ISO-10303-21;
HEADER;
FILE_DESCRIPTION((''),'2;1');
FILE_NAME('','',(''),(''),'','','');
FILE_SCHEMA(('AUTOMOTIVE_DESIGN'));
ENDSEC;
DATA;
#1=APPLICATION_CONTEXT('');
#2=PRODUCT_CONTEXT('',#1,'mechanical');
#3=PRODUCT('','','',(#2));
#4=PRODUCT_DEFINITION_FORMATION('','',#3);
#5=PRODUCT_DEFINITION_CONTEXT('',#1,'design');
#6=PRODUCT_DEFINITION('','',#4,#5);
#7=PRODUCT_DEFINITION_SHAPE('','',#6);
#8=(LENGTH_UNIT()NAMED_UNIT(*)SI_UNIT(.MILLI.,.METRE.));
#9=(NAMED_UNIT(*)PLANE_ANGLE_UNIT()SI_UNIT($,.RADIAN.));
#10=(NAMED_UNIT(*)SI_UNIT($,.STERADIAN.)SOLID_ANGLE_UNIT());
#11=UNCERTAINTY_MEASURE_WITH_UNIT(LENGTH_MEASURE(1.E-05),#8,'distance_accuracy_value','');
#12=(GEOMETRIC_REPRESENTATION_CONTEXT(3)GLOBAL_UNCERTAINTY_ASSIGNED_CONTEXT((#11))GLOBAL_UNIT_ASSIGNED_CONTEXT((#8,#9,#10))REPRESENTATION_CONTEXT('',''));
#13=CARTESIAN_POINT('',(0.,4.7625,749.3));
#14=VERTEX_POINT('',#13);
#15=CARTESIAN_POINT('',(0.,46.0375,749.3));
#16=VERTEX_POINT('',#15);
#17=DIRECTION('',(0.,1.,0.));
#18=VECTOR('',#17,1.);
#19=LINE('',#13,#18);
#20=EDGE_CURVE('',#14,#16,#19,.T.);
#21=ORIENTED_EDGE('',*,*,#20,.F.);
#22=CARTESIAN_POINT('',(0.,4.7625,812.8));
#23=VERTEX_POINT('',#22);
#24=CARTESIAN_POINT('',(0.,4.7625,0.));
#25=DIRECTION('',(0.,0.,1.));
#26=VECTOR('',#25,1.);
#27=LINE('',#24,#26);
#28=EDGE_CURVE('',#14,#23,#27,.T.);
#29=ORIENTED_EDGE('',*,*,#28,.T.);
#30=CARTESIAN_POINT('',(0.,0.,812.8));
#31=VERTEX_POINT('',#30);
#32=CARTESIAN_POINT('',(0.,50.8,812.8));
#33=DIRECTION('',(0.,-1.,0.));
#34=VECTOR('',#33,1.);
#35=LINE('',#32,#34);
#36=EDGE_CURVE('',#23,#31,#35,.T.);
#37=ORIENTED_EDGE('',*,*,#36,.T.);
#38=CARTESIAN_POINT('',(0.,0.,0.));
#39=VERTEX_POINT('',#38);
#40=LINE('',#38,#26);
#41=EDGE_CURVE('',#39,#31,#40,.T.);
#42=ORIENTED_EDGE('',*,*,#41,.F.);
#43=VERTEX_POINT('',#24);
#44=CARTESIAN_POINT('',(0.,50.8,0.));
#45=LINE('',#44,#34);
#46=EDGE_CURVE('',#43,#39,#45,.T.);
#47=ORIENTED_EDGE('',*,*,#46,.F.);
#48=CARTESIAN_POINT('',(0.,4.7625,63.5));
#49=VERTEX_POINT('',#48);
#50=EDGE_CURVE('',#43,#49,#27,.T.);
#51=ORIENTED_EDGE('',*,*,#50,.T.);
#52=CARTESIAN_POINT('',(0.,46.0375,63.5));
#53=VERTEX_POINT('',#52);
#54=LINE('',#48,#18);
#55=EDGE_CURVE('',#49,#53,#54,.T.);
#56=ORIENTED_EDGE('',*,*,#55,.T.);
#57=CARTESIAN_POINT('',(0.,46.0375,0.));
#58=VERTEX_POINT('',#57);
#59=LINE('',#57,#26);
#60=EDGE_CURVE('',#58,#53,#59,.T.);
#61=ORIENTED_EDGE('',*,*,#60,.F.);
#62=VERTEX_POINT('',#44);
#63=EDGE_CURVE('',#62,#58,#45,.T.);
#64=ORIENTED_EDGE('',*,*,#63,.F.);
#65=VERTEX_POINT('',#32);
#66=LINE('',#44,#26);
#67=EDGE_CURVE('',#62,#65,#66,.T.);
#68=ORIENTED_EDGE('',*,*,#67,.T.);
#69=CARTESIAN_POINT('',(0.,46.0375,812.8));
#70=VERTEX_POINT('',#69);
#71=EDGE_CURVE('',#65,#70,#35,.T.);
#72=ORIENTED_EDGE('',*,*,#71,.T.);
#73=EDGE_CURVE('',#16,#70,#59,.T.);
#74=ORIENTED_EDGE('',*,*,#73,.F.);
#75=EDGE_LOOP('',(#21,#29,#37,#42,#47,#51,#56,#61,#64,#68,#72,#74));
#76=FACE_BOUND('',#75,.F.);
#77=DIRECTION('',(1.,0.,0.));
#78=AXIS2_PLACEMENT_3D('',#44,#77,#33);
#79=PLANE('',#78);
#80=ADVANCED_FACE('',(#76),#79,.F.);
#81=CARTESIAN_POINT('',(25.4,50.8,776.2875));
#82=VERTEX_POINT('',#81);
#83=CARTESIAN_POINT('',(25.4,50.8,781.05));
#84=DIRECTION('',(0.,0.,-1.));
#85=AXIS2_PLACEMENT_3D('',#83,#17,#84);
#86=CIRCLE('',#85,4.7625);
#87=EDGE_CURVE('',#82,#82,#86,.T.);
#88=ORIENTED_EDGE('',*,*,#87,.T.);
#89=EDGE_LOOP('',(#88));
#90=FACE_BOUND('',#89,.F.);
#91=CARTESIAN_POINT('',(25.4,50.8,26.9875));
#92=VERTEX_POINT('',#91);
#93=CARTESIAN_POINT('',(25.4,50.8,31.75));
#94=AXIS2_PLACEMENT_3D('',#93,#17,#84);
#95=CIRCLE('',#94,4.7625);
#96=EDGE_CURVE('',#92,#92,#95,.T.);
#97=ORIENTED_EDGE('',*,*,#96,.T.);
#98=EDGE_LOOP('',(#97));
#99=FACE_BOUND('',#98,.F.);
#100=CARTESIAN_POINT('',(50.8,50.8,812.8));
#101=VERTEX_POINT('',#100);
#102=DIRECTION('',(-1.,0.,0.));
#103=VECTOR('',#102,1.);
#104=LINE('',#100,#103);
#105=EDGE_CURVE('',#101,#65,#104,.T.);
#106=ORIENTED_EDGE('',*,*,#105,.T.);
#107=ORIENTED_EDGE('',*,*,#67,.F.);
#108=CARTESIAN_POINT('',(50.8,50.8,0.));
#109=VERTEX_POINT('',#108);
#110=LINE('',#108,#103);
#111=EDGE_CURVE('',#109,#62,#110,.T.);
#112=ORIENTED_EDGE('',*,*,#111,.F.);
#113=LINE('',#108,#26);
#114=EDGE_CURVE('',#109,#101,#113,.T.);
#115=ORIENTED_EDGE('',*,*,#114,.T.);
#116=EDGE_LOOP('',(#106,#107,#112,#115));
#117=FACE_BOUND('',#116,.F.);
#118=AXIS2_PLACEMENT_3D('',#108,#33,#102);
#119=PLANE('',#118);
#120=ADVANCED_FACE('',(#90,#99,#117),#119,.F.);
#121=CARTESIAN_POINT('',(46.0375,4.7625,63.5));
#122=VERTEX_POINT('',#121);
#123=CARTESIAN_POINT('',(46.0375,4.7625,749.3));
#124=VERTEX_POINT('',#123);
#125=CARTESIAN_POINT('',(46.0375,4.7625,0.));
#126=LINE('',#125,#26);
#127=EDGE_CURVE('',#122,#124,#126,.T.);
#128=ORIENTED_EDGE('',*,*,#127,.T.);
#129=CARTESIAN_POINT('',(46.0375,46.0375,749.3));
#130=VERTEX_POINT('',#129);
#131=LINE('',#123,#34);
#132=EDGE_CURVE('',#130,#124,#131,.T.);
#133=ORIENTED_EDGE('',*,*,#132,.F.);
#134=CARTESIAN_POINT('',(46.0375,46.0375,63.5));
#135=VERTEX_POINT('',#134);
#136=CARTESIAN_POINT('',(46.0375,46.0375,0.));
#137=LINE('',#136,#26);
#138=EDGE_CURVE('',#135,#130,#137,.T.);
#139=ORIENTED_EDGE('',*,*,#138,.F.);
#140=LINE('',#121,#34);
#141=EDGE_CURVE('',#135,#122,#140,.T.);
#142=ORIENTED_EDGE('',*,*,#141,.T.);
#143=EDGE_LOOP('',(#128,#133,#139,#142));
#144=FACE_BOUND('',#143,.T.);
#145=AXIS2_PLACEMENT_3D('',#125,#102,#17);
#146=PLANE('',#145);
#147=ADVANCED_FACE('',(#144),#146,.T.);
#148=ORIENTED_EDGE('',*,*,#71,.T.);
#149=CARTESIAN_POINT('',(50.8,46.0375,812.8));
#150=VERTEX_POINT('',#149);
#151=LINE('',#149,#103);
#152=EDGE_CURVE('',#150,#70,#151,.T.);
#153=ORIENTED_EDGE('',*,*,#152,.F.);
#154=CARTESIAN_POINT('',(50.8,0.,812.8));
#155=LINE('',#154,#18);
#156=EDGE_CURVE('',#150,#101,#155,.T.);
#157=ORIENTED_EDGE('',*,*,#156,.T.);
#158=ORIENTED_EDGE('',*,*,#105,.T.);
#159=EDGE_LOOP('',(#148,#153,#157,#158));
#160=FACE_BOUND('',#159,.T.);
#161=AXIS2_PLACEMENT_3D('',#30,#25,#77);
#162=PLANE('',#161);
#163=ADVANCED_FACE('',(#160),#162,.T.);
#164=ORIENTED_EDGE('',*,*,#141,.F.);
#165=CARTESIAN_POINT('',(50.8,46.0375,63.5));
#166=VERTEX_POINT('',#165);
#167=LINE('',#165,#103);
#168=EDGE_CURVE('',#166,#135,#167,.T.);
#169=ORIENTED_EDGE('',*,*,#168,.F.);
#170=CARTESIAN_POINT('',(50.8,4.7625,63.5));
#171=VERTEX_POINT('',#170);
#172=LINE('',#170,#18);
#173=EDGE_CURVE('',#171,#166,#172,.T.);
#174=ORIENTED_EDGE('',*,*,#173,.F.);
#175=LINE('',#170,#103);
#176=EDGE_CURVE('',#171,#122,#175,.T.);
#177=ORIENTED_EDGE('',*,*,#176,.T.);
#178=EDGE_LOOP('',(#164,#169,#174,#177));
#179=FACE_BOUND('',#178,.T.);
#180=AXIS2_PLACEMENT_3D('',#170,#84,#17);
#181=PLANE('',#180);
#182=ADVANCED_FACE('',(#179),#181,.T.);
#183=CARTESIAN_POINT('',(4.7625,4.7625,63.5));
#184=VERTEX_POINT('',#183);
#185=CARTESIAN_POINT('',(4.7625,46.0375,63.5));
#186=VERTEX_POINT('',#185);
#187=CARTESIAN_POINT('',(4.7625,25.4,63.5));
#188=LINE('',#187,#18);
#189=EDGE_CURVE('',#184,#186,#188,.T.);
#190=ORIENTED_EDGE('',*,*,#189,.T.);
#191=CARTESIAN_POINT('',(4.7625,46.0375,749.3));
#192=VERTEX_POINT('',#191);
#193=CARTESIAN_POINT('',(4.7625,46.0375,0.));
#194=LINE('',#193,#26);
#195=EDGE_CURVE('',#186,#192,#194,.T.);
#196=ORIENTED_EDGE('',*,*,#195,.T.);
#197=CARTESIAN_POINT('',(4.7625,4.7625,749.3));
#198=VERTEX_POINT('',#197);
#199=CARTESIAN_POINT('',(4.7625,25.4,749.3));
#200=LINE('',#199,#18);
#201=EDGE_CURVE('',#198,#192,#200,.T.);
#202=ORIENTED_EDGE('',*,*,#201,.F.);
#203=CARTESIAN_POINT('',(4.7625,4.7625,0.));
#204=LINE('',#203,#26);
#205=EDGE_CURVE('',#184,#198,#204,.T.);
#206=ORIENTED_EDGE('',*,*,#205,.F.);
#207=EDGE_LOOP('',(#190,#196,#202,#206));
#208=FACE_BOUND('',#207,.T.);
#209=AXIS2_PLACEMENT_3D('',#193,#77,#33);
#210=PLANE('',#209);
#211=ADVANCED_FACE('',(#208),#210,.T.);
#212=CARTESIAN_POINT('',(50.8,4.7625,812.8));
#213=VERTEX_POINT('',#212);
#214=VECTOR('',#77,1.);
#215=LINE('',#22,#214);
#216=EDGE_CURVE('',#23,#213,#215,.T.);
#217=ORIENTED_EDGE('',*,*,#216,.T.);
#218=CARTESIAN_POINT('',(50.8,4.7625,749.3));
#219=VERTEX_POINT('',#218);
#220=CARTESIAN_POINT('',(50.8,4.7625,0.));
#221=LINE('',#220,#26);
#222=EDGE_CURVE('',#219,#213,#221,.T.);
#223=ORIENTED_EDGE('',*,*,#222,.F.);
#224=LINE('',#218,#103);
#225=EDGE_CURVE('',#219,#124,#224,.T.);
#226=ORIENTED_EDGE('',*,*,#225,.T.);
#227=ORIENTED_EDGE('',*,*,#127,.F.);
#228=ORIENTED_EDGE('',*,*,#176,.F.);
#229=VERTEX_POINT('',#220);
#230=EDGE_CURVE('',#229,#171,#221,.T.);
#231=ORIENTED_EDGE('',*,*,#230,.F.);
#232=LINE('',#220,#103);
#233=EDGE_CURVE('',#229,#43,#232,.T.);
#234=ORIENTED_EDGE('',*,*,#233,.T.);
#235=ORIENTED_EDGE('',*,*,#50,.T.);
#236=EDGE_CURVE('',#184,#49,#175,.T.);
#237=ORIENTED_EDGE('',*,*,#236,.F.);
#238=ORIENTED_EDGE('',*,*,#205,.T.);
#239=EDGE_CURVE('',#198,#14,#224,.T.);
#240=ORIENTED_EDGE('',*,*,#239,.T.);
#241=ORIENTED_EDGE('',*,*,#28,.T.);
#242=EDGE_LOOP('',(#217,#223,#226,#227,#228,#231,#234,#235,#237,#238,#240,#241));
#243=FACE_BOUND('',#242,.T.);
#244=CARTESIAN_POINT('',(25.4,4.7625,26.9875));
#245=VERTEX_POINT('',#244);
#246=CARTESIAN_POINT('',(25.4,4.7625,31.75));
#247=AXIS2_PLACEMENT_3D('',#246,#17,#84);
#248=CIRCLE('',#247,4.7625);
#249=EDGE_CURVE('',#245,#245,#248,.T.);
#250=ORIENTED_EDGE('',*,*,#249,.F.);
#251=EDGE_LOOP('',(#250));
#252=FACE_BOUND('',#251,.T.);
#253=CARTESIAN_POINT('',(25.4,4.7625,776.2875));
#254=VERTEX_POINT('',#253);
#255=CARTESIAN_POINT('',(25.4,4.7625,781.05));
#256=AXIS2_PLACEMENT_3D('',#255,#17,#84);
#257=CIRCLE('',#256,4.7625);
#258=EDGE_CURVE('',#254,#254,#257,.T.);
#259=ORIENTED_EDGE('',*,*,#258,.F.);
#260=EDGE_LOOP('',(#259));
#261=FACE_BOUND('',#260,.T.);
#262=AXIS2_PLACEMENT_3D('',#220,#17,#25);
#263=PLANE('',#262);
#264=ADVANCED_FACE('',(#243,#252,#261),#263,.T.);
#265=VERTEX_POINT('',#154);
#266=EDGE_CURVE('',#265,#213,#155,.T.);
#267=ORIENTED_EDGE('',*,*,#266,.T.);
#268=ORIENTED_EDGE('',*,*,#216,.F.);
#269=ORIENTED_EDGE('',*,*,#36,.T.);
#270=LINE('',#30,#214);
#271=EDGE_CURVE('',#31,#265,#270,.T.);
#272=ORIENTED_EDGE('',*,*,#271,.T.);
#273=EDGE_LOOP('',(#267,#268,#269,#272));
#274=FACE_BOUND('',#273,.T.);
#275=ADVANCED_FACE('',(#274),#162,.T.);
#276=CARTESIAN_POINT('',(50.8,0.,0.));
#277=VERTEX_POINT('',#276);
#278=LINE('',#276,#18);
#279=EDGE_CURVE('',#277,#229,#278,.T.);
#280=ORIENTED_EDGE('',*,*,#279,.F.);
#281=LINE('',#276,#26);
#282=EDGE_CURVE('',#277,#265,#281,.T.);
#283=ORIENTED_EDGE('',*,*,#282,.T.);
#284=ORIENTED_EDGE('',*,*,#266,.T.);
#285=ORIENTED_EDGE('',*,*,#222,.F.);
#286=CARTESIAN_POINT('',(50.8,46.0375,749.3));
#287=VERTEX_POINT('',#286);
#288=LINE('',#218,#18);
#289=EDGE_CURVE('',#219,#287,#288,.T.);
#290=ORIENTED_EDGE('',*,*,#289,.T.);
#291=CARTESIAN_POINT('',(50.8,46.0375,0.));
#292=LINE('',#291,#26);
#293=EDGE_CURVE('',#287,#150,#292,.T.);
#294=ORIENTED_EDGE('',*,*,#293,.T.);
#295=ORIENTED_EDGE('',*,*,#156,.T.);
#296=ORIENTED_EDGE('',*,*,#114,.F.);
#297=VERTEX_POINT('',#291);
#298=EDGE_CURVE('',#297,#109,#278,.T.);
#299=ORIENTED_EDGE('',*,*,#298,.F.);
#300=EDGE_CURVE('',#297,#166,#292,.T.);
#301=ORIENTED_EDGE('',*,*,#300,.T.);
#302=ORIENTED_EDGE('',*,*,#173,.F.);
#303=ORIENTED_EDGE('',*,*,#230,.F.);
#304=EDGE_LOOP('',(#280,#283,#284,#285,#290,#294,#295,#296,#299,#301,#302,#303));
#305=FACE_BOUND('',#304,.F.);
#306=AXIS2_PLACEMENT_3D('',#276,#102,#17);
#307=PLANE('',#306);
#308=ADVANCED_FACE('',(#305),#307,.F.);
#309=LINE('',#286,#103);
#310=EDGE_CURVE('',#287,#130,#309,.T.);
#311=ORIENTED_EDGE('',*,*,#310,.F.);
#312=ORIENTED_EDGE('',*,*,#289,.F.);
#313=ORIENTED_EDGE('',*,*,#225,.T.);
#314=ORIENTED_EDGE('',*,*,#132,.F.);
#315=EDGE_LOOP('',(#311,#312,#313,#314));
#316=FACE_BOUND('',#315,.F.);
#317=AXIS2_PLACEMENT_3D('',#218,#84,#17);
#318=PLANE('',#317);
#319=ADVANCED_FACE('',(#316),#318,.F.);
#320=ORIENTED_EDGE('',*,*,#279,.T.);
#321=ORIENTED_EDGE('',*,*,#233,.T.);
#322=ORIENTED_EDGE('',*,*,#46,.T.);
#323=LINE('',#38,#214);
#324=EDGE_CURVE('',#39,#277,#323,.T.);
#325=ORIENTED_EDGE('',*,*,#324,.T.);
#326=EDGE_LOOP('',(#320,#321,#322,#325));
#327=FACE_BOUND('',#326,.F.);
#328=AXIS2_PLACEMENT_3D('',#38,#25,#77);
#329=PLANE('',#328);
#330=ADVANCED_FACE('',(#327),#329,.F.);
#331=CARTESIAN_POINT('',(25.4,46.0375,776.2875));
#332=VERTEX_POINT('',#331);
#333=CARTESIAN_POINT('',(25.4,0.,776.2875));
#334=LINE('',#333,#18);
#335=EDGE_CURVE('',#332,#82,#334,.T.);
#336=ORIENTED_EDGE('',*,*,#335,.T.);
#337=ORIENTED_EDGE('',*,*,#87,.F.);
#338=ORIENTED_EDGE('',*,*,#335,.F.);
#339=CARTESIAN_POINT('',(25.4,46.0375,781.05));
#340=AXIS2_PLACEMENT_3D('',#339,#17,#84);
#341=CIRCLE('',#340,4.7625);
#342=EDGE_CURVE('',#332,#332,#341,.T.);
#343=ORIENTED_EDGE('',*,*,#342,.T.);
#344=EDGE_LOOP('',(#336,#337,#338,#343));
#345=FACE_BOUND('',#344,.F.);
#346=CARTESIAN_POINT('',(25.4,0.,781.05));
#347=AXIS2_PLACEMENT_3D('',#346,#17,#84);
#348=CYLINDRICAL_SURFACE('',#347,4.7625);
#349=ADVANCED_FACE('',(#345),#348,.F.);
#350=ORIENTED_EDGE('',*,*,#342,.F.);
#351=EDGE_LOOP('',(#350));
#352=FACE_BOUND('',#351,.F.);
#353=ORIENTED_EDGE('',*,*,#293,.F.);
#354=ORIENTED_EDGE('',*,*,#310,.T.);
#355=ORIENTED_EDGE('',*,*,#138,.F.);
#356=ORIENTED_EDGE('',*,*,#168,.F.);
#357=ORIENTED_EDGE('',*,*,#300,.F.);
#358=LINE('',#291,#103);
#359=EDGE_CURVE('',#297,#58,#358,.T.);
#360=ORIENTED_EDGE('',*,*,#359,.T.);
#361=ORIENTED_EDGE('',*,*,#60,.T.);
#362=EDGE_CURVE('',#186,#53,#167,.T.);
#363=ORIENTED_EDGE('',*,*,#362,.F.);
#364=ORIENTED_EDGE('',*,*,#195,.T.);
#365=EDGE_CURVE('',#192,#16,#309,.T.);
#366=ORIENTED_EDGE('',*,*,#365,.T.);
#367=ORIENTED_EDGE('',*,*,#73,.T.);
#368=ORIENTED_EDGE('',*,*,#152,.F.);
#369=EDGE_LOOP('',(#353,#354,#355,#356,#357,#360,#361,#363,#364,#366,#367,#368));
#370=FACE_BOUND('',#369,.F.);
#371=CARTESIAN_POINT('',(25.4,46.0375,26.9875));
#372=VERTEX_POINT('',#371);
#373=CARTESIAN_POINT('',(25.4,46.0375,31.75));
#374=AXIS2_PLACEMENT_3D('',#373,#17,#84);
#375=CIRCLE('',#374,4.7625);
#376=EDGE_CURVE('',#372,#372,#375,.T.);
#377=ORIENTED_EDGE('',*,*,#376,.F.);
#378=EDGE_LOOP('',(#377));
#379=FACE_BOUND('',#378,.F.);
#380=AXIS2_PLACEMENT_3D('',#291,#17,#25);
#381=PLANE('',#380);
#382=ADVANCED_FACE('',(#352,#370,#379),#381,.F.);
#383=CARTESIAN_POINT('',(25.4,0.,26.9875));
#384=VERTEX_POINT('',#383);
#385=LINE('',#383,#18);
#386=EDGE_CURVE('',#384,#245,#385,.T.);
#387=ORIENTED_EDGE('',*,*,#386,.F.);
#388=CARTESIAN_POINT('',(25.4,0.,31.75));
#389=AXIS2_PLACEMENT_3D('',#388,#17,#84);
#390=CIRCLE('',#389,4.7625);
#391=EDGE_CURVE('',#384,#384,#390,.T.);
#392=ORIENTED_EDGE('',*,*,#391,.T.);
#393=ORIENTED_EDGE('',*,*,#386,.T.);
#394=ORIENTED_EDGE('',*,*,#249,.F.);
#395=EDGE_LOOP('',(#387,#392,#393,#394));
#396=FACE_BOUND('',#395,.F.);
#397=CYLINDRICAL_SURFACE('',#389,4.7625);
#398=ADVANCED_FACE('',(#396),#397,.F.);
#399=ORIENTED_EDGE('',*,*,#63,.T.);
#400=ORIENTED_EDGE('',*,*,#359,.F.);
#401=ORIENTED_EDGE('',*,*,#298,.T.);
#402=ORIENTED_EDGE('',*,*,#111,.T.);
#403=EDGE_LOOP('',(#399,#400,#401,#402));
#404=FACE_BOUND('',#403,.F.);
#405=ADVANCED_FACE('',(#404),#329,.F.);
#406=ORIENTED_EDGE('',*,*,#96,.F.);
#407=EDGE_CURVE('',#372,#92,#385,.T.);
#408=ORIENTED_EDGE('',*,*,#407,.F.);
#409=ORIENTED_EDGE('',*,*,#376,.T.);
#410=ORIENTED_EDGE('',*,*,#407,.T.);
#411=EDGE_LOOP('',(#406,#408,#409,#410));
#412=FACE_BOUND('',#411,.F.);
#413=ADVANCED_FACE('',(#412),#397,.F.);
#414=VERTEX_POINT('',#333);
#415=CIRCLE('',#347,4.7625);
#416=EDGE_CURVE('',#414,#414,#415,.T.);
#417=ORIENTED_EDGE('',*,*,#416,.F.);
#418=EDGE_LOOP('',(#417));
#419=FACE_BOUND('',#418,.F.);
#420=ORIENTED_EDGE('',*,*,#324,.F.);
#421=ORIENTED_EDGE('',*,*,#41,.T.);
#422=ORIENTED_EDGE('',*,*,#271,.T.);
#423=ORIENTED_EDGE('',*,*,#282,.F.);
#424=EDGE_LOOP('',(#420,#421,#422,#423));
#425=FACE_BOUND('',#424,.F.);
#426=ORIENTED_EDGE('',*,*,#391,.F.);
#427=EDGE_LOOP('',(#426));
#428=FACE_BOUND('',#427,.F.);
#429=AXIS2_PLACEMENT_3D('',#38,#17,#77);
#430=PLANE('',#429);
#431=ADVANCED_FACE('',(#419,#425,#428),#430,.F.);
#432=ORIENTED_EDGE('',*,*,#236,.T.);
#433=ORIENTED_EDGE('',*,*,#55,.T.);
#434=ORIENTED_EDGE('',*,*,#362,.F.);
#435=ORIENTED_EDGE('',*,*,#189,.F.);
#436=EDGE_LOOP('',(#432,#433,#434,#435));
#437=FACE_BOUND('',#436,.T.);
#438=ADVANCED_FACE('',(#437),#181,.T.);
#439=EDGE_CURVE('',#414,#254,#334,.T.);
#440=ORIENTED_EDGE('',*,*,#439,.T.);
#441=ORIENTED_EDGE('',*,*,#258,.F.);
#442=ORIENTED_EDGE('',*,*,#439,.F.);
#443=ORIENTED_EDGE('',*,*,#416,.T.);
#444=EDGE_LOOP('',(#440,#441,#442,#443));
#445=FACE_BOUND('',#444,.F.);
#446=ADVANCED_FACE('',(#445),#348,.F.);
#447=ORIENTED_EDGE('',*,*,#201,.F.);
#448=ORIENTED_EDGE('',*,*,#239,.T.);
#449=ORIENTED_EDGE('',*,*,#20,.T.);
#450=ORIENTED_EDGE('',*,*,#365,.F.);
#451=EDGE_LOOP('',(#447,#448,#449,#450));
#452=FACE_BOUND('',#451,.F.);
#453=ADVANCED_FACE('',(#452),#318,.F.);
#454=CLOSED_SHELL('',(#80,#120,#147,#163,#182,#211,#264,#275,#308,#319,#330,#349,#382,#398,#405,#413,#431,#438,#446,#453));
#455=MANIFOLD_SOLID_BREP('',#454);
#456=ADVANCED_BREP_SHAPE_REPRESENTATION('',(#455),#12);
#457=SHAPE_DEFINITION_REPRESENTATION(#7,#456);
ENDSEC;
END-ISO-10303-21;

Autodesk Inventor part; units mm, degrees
ref_plane "YZ Plane" through (0, 0, 0) normal (1, 0, 0) x (0, 1, 0)
ref_plane "XZ Plane" through (0, 0, 0) normal (0, 1, 0) x (-1, 0, 0)
ref_plane "XY Plane" through (0, 0, 0) normal (0, 0, 1) x (1, 0, 0)
sketch "Sketch1" plane through (0, 0, 0) normal (0, 0, 1) x (1, 0, 0)
  line L0 (0, 0) -> (50.8, 0)
  line L1 (50.8, 0) -> (50.8, 50.8)
  line L2 (50.8, 50.8) -> (0, 50.8)
  line L3 (0, 50.8) -> (0, 0)
  line L4 (0, 0) -> (4.7625, 0) construction
  line L5 (4.7625, 0) -> (4.7625, 4.7625) construction
  line L6 (4.7625, 4.7625) -> (0, 4.7625) construction
  line L7 (0, 4.7625) -> (0, 0) construction
  line L8 (50.8, 50.8) -> (46.0375, 50.8) construction
  line L9 (46.0375, 50.8) -> (46.0375, 46.0375) construction
  line L10 (46.0375, 46.0375) -> (50.8, 46.0375) construction
  line L11 (50.8, 46.0375) -> (50.8, 50.8) construction
  line L12 (46.0375, 46.0375) -> (4.7625, 46.0375)
  line L13 (4.7625, 46.0375) -> (4.7625, 4.7625)
  line L14 (4.7625, 4.7625) -> (46.0375, 4.7625)
  line L15 (46.0375, 4.7625) -> (46.0375, 46.0375)
  dimension "d0" = 50.8
  dimension "d1" = 50.8
  dimension "d2" = 4.7625
  dimension "d3" = 4.7625
  dimension "d4" = 4.7625
  dimension "d5" = 4.7625
extrude "Extrusion1" add sketch "Sketch1" along normal blind 812.8
sketch "Sketch2" plane through (50.8, 0, 0) normal (1, 0, 0) x (0, 0, -1)
  line L0 (0, 4.7625) -> (-812.8, 4.7625) projected
  line L1 (0, 46.0375) -> (-812.8, 46.0375) projected
  line L2 (0, 4.7625) -> (-63.5, 4.7625)
  line L3 (-63.5, 4.7625) -> (-63.5, 46.0375)
  line L4 (-63.5, 46.0375) -> (0, 46.0375)
  line L5 (0, 46.0375) -> (0, 4.7625)
  line L6 (-812.8, 4.7625) -> (-812.8, 46.0375) projected
  line L7 (-812.8, 4.7625) -> (-749.3, 4.7625)
  line L8 (-749.3, 4.7625) -> (-749.3, 46.0375)
  line L9 (-749.3, 46.0375) -> (-812.8, 46.0375)
  line L10 (-812.8, 46.0375) -> (-812.8, 4.7625)
  point P0 (0, 0)
  dimension "d8" = 63.5
  dimension "d9" = 63.5
extrude "Extrusion2" cut sketch "Sketch2" against normal blind 50.8 contours L0 L3 L1 L5 | L0 L6 L1 L8
sketch "Sketch3" plane through (0, 0, 0) normal (0, -1, 0) x (1, 0, 0)
  line L0 (46.0375, 63.5) -> (46.0375, 749.3) projected
  line L1 (4.7625, 63.5) -> (0, 63.5) projected
  line L2 (46.0375, 63.5) -> (4.7625, 63.5)
  line L3 (25.4, 63.5) -> (25.4, 0)
  line L4 (50.8, 749.3) -> (46.0375, 749.3) projected
  line L5 (4.7625, 749.3) -> (0, 749.3) projected
  line L6 (46.0375, 749.3) -> (4.7625, 749.3)
  line L7 (25.4, 749.3) -> (25.4, 812.8)
  line L8 (0, 812.8) -> (50.8, 812.8) projected
  point P0 (0, 0)
  point P1 (25.4, 31.75)
  point P2 (25.4, 781.05)
hole "Hole1" at (25.4, 0, 31.75) at (25.4, 0, 781.05) direction (0, 1, 0) diameter 9.525 depth 50.8 tip angle 118
equation "\"d0\" = d1"
equation "\"d2\" = d3"
equation "\"d4\" = d3"
equation "\"d5\" = d3"
properties part number "32in2.0Sq" material "Steel, Mild"
